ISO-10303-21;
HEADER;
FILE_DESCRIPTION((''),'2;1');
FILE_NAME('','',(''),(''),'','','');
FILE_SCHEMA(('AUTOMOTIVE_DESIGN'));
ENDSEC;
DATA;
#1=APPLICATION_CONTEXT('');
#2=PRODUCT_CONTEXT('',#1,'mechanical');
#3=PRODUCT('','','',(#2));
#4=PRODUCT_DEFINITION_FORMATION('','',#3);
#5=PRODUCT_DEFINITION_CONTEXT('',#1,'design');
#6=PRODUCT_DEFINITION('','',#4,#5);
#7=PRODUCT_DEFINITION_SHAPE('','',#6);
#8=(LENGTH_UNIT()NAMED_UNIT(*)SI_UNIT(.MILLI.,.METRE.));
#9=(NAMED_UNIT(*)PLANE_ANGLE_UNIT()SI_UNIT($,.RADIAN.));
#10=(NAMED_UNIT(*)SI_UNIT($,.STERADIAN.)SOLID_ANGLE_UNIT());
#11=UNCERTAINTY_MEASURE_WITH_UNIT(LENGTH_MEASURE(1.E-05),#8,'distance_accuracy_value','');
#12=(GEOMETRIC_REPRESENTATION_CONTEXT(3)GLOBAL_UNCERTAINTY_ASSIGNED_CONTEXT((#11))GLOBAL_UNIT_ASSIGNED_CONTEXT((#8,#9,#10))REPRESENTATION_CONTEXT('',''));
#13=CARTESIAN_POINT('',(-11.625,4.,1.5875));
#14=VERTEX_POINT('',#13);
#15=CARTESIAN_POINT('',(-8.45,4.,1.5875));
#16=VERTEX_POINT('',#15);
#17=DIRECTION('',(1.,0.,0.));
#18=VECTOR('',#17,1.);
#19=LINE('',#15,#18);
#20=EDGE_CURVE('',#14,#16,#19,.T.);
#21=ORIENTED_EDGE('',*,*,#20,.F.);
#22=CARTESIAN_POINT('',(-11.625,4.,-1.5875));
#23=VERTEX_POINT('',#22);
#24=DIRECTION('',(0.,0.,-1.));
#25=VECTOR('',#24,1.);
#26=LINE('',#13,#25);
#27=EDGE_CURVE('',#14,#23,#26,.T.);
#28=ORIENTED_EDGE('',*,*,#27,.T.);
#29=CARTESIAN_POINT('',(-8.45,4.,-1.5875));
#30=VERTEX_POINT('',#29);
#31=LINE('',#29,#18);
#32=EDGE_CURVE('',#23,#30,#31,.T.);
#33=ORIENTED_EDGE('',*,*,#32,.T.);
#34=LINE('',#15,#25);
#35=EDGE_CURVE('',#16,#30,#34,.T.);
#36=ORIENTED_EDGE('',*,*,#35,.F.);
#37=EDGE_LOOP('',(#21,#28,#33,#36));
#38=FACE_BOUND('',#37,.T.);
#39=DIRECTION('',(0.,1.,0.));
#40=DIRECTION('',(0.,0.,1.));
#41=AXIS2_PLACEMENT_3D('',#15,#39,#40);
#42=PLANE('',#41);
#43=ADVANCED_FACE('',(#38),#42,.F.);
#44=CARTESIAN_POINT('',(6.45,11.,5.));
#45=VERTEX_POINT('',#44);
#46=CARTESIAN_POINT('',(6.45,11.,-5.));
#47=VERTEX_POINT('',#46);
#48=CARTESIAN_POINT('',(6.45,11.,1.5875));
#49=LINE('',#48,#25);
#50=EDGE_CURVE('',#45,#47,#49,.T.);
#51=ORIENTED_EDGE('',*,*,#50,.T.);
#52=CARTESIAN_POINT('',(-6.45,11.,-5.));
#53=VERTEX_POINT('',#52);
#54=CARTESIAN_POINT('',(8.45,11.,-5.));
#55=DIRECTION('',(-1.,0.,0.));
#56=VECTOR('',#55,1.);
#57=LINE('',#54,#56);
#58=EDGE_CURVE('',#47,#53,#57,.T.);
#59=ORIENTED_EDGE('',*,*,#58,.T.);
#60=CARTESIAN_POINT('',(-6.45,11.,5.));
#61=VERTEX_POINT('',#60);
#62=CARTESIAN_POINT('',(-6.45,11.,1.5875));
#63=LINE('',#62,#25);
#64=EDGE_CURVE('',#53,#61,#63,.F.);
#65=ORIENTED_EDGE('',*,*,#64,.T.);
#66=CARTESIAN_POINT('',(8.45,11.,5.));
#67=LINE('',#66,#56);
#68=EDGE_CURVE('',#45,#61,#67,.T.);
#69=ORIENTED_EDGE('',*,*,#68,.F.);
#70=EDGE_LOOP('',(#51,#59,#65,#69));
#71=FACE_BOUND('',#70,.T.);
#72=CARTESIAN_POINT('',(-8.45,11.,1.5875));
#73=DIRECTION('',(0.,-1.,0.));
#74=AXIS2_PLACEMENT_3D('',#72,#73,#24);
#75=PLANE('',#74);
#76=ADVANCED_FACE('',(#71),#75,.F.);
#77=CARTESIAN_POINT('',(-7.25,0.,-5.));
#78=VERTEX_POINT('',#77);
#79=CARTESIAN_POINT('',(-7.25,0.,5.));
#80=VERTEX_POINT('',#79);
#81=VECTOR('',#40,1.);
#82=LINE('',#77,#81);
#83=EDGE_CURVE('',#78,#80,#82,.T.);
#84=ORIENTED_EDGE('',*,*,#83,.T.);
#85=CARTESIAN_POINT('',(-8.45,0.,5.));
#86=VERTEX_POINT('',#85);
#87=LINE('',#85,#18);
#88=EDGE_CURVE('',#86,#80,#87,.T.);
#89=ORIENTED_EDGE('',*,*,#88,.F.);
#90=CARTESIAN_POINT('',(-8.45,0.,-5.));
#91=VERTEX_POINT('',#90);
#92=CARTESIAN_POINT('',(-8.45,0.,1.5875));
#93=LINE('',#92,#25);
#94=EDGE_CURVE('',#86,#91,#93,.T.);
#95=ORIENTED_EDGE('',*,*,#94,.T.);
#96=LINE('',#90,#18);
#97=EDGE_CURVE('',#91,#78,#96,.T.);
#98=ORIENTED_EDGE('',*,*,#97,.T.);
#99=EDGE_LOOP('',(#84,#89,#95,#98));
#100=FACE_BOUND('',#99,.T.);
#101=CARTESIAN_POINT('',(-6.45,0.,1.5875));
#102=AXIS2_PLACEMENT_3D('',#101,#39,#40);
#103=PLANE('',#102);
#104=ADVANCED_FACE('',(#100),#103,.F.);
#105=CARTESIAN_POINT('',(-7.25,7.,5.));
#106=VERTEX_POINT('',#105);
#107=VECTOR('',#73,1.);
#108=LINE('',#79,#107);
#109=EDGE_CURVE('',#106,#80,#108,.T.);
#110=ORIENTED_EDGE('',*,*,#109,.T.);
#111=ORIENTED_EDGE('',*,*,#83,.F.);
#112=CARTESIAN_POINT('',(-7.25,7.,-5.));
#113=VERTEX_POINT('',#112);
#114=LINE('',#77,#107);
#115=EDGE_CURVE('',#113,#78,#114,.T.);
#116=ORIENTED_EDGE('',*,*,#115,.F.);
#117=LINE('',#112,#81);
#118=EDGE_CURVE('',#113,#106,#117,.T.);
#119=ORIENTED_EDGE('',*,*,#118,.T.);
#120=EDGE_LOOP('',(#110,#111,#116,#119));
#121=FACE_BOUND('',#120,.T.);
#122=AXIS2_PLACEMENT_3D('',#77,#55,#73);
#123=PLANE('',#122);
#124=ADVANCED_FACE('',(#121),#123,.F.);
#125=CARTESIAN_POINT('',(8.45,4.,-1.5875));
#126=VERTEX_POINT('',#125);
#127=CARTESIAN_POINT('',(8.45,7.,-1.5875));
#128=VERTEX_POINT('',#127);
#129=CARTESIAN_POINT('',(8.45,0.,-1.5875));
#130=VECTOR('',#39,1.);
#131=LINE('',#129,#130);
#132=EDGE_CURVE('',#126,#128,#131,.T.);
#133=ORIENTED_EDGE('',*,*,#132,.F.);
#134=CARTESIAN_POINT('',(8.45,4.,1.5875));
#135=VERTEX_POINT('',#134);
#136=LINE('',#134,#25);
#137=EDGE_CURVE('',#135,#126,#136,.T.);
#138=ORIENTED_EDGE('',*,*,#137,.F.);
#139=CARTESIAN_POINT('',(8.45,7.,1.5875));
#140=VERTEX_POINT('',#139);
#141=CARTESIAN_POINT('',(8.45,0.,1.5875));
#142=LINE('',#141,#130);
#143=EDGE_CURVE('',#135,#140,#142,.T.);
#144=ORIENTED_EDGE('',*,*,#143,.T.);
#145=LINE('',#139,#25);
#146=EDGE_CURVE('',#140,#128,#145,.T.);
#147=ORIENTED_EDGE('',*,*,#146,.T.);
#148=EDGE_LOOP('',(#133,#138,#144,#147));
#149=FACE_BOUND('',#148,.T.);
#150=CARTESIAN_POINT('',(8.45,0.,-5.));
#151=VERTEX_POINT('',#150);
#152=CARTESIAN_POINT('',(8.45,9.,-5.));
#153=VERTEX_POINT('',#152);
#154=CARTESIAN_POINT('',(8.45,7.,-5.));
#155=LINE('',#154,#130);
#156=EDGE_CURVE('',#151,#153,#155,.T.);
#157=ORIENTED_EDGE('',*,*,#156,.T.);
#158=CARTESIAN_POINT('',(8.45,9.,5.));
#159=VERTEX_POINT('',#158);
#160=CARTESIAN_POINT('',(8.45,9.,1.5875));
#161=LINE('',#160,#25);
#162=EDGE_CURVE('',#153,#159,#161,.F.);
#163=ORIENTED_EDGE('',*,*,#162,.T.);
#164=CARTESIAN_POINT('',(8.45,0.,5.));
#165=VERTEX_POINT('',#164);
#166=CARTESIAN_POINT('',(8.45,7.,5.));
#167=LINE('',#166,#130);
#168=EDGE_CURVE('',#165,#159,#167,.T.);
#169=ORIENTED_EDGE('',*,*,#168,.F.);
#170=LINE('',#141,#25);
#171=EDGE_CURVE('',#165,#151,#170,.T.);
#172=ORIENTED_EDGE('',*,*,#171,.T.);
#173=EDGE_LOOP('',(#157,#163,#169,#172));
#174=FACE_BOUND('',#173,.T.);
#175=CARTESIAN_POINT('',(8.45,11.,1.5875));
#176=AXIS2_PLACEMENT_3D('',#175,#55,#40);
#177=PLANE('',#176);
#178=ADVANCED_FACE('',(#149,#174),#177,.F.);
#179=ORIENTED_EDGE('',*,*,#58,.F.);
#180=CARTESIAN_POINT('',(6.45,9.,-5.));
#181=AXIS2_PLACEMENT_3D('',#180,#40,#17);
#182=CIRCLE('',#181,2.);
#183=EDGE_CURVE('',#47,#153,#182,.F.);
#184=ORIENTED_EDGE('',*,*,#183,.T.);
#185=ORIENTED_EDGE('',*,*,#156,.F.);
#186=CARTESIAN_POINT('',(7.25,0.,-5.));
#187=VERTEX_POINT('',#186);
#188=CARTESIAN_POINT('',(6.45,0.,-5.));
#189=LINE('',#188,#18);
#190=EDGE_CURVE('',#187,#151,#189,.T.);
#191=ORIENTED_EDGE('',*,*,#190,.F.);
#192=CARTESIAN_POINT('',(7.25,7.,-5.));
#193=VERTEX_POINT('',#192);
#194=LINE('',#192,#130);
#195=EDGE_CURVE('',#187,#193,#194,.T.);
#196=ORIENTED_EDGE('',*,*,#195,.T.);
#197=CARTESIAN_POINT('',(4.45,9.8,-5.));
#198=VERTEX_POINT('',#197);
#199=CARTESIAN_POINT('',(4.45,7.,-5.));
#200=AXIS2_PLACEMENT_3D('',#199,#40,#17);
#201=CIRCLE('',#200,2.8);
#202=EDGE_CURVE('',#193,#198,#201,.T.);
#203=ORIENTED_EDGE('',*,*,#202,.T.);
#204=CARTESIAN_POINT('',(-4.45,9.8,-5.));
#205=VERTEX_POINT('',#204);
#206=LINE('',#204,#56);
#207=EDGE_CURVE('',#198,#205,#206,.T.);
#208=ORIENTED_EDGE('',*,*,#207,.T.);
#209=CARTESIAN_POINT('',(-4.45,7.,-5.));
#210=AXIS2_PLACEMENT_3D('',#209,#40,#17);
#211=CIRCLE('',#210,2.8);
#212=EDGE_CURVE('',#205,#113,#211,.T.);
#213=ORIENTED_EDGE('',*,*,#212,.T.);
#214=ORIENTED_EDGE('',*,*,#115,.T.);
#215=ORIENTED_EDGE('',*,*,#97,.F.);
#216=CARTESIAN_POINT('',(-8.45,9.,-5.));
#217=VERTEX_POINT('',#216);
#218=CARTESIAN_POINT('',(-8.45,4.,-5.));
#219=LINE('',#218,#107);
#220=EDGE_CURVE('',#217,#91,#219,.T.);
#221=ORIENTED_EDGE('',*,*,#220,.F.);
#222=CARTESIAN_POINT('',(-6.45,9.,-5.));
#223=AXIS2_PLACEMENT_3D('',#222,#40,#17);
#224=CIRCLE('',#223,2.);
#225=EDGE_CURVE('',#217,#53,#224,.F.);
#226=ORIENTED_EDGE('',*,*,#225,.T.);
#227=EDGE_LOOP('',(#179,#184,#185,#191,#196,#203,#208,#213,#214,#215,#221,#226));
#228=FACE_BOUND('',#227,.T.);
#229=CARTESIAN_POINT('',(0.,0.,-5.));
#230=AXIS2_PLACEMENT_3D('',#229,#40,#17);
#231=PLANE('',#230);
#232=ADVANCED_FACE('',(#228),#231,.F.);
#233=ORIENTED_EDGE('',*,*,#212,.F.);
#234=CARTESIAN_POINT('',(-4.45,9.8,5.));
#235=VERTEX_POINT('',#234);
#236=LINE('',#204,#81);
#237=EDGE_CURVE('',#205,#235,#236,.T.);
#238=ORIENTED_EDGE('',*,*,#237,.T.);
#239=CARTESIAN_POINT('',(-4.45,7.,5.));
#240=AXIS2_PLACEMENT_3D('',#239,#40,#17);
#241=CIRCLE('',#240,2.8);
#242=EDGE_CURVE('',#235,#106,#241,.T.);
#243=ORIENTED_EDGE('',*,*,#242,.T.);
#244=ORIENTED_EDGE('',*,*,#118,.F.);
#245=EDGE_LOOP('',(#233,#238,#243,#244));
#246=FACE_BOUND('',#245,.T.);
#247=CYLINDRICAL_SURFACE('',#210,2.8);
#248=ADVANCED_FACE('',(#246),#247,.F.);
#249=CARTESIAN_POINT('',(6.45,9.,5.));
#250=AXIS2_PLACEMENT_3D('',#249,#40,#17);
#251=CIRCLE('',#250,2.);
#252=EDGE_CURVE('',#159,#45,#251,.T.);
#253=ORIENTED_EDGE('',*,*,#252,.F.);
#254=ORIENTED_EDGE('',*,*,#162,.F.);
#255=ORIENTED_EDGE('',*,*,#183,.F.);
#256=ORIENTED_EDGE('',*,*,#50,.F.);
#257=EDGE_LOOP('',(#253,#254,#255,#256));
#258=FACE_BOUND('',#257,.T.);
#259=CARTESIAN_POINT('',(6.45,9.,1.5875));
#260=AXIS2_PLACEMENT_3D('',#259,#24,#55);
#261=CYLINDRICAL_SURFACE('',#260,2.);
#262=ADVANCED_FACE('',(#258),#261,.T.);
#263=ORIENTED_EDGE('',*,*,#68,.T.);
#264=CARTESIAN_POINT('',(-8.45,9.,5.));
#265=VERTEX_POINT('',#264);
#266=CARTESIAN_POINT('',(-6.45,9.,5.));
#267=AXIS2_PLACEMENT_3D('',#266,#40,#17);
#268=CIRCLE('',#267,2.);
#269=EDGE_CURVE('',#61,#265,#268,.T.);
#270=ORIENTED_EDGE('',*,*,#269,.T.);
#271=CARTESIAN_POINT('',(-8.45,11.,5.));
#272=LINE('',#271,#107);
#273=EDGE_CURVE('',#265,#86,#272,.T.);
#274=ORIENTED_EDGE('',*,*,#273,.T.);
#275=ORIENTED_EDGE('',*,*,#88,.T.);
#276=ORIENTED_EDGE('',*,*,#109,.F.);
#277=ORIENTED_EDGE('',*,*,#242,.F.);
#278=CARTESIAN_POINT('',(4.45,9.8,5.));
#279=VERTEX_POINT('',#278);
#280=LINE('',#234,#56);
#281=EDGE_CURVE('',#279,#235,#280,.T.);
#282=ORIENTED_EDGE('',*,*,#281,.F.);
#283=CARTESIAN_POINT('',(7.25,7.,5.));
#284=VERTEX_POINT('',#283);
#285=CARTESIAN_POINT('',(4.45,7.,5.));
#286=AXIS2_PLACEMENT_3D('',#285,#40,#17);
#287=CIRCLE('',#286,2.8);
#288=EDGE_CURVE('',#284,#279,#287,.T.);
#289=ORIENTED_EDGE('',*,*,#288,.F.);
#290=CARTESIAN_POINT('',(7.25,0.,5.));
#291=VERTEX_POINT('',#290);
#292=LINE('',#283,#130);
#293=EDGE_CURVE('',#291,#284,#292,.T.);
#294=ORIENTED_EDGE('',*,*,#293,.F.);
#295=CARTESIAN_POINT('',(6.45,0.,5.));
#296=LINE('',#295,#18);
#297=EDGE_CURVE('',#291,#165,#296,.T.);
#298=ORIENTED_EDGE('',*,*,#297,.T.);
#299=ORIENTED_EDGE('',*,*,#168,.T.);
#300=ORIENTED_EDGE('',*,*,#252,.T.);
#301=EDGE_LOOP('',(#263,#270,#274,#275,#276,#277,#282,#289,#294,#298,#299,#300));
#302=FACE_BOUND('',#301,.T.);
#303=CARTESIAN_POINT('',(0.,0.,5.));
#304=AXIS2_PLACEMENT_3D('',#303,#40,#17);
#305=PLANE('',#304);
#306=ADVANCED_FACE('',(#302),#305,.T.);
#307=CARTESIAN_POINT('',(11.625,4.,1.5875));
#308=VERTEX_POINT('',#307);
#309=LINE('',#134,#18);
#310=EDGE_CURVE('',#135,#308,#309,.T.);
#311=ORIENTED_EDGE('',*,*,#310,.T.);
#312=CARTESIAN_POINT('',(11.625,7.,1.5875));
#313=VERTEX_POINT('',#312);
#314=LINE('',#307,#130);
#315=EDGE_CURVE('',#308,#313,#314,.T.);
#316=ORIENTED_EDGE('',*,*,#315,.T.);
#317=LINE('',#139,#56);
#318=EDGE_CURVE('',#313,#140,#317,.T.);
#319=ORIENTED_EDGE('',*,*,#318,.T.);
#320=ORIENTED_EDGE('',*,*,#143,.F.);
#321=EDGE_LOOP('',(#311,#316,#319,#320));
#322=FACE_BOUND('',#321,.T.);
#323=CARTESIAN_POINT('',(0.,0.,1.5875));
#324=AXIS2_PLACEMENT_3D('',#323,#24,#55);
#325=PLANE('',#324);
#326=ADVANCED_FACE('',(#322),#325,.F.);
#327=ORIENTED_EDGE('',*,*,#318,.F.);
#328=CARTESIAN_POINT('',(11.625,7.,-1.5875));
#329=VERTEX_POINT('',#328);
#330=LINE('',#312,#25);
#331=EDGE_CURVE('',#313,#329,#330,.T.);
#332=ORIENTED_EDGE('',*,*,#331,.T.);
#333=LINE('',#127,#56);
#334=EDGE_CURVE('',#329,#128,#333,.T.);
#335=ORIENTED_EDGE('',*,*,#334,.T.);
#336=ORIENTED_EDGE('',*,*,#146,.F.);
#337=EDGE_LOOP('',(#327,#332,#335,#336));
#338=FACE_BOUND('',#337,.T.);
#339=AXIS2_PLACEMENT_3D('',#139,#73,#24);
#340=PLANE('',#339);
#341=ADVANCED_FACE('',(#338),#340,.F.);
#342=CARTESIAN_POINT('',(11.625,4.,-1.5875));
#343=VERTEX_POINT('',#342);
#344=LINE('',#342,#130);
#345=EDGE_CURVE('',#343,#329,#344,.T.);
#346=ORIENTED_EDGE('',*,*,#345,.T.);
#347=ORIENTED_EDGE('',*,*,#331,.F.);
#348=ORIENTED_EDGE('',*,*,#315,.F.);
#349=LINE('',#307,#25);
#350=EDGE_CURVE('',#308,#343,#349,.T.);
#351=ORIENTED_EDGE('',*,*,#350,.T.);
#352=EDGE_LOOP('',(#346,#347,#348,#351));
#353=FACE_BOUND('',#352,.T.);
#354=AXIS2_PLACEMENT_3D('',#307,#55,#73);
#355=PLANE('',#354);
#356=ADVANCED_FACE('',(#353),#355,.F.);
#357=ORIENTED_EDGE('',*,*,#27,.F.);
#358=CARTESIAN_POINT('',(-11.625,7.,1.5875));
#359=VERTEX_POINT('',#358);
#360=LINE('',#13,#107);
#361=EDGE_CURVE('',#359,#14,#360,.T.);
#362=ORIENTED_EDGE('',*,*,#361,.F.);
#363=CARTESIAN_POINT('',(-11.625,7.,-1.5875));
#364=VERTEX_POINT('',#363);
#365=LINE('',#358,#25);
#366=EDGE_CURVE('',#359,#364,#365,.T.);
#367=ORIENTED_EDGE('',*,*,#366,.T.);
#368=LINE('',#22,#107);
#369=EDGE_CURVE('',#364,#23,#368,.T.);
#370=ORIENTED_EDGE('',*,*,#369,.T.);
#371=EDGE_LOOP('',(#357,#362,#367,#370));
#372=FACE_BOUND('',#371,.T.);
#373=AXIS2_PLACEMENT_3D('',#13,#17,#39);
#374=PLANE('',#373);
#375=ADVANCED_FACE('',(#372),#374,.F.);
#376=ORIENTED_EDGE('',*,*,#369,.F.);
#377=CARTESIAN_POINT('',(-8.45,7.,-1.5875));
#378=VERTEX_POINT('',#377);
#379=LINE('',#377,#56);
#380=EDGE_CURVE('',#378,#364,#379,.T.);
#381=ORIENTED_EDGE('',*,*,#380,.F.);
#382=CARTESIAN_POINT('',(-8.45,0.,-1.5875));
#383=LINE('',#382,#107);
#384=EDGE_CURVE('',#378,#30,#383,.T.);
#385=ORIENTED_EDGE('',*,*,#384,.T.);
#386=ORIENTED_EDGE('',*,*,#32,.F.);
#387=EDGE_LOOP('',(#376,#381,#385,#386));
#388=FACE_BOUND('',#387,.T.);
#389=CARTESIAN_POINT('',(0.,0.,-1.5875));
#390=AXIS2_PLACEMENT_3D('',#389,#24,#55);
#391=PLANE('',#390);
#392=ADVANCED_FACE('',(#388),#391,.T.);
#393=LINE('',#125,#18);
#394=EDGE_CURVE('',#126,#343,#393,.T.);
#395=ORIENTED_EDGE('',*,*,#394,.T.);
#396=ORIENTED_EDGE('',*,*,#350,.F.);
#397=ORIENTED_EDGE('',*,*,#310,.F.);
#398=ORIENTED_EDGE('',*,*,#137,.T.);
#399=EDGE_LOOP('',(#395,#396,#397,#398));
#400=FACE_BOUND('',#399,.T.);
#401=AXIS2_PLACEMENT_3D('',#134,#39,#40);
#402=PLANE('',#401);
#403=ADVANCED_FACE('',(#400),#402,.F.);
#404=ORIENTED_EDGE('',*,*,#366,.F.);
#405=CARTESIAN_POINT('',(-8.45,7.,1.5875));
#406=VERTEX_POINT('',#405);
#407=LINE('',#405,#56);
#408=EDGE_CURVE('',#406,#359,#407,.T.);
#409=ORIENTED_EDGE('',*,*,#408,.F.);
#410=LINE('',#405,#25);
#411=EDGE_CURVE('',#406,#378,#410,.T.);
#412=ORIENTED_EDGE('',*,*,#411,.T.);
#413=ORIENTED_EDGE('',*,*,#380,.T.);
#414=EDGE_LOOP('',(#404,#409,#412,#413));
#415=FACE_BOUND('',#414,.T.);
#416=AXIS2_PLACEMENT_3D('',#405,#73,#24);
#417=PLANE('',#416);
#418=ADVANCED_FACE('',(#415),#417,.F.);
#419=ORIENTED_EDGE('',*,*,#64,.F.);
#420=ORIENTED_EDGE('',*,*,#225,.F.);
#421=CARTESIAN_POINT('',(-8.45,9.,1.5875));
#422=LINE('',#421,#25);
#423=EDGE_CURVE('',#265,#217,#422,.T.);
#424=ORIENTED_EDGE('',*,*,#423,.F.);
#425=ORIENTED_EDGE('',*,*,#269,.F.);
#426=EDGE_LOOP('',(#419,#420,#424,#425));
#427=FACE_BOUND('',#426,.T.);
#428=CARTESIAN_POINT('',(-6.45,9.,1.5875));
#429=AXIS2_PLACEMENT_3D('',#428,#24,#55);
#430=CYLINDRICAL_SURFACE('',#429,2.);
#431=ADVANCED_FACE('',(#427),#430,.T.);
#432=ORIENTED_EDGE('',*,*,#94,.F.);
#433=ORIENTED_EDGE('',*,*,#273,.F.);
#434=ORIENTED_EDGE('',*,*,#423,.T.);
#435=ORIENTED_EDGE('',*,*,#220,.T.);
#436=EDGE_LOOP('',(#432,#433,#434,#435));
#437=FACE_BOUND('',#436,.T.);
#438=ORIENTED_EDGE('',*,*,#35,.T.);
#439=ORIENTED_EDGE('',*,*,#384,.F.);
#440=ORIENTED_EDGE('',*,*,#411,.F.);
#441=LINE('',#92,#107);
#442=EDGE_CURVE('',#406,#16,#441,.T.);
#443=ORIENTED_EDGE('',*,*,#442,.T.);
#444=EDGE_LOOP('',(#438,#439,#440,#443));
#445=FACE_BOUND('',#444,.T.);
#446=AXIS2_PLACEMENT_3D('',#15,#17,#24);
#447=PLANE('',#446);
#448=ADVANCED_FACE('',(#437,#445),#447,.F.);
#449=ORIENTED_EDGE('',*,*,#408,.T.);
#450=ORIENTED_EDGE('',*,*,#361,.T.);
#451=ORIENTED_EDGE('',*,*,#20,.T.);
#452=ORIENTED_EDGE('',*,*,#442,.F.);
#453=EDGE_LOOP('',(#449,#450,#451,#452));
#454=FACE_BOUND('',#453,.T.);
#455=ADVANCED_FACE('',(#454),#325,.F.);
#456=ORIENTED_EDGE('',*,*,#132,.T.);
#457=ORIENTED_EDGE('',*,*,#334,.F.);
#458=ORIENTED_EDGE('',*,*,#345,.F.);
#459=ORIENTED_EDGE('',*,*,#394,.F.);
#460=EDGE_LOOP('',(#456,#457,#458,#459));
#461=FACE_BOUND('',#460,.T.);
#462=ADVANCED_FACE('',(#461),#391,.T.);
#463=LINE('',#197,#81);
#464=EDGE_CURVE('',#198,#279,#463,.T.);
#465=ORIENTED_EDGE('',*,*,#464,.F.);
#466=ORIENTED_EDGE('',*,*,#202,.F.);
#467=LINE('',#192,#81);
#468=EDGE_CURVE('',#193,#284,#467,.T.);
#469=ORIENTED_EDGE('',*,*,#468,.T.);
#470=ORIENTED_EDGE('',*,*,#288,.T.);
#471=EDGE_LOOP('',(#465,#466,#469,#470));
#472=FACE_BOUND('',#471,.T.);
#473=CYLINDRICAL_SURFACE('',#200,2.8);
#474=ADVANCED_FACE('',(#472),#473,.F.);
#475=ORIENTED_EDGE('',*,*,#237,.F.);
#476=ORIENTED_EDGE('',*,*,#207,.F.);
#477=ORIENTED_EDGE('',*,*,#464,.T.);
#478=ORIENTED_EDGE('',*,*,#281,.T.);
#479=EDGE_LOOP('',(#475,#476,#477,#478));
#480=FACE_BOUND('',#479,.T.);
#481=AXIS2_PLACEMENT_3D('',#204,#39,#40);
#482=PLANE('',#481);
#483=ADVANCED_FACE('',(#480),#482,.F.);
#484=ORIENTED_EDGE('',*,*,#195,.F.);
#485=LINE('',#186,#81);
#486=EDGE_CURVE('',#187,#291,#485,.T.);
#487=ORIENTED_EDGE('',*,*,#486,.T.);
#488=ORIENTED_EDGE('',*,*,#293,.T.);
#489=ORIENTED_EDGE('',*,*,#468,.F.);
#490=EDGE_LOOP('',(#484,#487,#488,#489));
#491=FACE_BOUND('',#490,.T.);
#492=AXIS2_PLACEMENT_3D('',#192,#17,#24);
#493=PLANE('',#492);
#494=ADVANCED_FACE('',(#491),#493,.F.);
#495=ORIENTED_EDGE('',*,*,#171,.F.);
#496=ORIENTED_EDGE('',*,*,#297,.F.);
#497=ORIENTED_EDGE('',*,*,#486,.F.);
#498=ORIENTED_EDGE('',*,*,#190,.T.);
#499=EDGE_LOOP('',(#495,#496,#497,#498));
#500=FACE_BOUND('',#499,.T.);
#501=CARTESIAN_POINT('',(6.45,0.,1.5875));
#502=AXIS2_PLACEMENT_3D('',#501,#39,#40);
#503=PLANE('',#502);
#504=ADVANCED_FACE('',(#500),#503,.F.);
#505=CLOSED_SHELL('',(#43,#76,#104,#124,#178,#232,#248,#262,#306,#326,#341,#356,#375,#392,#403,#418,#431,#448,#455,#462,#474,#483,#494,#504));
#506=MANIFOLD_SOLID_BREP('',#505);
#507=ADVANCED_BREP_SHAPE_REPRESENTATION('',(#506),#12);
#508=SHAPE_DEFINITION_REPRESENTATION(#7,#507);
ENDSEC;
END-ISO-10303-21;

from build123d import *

# Parameters (mm, degrees)
BOSS_EXTRUDE1_DEPTH = 1.5875
BOSS_EXTRUDE2_DEPTH = 5
FILLET1_R           = 2
FILLET2_R           = 2
CUT_EXTRUDE1_DEPTH  = 10


with BuildPart() as part:
    # Sketch1 → Boss-Extrude1 (new body, symmetric)
    with BuildSketch(Plane.XY):
        Polygon((8.45, 11), (8.45, 7), (11.625, 7), (11.625, 4), (8.45, 4), (8.45, 0), (6.45, 0), (6.45, 9), (-6.45, 9), (-6.45, 0), (-8.45, 0), (-8.45, 4), (-11.625, 4), (-11.625, 7), (-8.45, 7), (-8.45, 11), align=None)
    extrude(amount=BOSS_EXTRUDE1_DEPTH, both=True)

    # Sketch2 → Boss-Extrude2 (add, symmetric)
    with BuildSketch(Plane.XY):
        Polygon((-8.45, 7), (-8.45, 4), (-8.45, 0), (-6.45, 0), (-6.45, 9), (6.45, 9), (6.45, 0), (8.45, 0), (8.45, 4), (8.45, 7), (8.45, 11), (-8.45, 11), align=None)
    extrude(amount=BOSS_EXTRUDE2_DEPTH, both=True)

    # Fillet1
    fillet1_edges = [part.edges().sort_by_distance(p)[0] for p in [
        (6.45, 9, 0),
        (-6.45, 9, 0),
    ]]
    fillet(fillet1_edges, radius=FILLET1_R)

    # Fillet2
    fillet2_edges = [part.edges().sort_by_distance(p)[0] for p in [
        (8.45, 11, 0),
        (-8.45, 11, 0),
    ]]
    fillet(fillet2_edges, radius=FILLET2_R)

    # Sketch3 → Cut-Extrude1 (cut)
    with BuildSketch(Plane.XY.offset(5)):
        with BuildLine():
            Line((7.25, 7), (7.25, 0))
            Line((7.25, 0), (6.45, 0))
            Line((6.45, 0), (6.45, 7))
            ThreePointArc((6.45, 7), (5.864213562, 8.414213562), (4.45, 9))
            Line((4.45, 9), (-4.45, 9))
            ThreePointArc((-4.45, 9), (-5.864213562, 8.414213562), (-6.45, 7))
            Line((-6.45, 7), (-6.45, 0))
            Line((-6.45, 0), (-7.25, 0))
            Line((-7.25, 0), (-7.25, 7))
            ThreePointArc((-7.25, 7), (-6.429898987, 8.979898987), (-4.45, 9.8))
            Line((-4.45, 9.8), (4.45, 9.8))
            ThreePointArc((4.45, 9.8), (6.429898987, 8.979898987), (7.25, 7))
        make_face()
    extrude(amount=-CUT_EXTRUDE1_DEPTH, mode=Mode.SUBTRACT)


solid = part.part
